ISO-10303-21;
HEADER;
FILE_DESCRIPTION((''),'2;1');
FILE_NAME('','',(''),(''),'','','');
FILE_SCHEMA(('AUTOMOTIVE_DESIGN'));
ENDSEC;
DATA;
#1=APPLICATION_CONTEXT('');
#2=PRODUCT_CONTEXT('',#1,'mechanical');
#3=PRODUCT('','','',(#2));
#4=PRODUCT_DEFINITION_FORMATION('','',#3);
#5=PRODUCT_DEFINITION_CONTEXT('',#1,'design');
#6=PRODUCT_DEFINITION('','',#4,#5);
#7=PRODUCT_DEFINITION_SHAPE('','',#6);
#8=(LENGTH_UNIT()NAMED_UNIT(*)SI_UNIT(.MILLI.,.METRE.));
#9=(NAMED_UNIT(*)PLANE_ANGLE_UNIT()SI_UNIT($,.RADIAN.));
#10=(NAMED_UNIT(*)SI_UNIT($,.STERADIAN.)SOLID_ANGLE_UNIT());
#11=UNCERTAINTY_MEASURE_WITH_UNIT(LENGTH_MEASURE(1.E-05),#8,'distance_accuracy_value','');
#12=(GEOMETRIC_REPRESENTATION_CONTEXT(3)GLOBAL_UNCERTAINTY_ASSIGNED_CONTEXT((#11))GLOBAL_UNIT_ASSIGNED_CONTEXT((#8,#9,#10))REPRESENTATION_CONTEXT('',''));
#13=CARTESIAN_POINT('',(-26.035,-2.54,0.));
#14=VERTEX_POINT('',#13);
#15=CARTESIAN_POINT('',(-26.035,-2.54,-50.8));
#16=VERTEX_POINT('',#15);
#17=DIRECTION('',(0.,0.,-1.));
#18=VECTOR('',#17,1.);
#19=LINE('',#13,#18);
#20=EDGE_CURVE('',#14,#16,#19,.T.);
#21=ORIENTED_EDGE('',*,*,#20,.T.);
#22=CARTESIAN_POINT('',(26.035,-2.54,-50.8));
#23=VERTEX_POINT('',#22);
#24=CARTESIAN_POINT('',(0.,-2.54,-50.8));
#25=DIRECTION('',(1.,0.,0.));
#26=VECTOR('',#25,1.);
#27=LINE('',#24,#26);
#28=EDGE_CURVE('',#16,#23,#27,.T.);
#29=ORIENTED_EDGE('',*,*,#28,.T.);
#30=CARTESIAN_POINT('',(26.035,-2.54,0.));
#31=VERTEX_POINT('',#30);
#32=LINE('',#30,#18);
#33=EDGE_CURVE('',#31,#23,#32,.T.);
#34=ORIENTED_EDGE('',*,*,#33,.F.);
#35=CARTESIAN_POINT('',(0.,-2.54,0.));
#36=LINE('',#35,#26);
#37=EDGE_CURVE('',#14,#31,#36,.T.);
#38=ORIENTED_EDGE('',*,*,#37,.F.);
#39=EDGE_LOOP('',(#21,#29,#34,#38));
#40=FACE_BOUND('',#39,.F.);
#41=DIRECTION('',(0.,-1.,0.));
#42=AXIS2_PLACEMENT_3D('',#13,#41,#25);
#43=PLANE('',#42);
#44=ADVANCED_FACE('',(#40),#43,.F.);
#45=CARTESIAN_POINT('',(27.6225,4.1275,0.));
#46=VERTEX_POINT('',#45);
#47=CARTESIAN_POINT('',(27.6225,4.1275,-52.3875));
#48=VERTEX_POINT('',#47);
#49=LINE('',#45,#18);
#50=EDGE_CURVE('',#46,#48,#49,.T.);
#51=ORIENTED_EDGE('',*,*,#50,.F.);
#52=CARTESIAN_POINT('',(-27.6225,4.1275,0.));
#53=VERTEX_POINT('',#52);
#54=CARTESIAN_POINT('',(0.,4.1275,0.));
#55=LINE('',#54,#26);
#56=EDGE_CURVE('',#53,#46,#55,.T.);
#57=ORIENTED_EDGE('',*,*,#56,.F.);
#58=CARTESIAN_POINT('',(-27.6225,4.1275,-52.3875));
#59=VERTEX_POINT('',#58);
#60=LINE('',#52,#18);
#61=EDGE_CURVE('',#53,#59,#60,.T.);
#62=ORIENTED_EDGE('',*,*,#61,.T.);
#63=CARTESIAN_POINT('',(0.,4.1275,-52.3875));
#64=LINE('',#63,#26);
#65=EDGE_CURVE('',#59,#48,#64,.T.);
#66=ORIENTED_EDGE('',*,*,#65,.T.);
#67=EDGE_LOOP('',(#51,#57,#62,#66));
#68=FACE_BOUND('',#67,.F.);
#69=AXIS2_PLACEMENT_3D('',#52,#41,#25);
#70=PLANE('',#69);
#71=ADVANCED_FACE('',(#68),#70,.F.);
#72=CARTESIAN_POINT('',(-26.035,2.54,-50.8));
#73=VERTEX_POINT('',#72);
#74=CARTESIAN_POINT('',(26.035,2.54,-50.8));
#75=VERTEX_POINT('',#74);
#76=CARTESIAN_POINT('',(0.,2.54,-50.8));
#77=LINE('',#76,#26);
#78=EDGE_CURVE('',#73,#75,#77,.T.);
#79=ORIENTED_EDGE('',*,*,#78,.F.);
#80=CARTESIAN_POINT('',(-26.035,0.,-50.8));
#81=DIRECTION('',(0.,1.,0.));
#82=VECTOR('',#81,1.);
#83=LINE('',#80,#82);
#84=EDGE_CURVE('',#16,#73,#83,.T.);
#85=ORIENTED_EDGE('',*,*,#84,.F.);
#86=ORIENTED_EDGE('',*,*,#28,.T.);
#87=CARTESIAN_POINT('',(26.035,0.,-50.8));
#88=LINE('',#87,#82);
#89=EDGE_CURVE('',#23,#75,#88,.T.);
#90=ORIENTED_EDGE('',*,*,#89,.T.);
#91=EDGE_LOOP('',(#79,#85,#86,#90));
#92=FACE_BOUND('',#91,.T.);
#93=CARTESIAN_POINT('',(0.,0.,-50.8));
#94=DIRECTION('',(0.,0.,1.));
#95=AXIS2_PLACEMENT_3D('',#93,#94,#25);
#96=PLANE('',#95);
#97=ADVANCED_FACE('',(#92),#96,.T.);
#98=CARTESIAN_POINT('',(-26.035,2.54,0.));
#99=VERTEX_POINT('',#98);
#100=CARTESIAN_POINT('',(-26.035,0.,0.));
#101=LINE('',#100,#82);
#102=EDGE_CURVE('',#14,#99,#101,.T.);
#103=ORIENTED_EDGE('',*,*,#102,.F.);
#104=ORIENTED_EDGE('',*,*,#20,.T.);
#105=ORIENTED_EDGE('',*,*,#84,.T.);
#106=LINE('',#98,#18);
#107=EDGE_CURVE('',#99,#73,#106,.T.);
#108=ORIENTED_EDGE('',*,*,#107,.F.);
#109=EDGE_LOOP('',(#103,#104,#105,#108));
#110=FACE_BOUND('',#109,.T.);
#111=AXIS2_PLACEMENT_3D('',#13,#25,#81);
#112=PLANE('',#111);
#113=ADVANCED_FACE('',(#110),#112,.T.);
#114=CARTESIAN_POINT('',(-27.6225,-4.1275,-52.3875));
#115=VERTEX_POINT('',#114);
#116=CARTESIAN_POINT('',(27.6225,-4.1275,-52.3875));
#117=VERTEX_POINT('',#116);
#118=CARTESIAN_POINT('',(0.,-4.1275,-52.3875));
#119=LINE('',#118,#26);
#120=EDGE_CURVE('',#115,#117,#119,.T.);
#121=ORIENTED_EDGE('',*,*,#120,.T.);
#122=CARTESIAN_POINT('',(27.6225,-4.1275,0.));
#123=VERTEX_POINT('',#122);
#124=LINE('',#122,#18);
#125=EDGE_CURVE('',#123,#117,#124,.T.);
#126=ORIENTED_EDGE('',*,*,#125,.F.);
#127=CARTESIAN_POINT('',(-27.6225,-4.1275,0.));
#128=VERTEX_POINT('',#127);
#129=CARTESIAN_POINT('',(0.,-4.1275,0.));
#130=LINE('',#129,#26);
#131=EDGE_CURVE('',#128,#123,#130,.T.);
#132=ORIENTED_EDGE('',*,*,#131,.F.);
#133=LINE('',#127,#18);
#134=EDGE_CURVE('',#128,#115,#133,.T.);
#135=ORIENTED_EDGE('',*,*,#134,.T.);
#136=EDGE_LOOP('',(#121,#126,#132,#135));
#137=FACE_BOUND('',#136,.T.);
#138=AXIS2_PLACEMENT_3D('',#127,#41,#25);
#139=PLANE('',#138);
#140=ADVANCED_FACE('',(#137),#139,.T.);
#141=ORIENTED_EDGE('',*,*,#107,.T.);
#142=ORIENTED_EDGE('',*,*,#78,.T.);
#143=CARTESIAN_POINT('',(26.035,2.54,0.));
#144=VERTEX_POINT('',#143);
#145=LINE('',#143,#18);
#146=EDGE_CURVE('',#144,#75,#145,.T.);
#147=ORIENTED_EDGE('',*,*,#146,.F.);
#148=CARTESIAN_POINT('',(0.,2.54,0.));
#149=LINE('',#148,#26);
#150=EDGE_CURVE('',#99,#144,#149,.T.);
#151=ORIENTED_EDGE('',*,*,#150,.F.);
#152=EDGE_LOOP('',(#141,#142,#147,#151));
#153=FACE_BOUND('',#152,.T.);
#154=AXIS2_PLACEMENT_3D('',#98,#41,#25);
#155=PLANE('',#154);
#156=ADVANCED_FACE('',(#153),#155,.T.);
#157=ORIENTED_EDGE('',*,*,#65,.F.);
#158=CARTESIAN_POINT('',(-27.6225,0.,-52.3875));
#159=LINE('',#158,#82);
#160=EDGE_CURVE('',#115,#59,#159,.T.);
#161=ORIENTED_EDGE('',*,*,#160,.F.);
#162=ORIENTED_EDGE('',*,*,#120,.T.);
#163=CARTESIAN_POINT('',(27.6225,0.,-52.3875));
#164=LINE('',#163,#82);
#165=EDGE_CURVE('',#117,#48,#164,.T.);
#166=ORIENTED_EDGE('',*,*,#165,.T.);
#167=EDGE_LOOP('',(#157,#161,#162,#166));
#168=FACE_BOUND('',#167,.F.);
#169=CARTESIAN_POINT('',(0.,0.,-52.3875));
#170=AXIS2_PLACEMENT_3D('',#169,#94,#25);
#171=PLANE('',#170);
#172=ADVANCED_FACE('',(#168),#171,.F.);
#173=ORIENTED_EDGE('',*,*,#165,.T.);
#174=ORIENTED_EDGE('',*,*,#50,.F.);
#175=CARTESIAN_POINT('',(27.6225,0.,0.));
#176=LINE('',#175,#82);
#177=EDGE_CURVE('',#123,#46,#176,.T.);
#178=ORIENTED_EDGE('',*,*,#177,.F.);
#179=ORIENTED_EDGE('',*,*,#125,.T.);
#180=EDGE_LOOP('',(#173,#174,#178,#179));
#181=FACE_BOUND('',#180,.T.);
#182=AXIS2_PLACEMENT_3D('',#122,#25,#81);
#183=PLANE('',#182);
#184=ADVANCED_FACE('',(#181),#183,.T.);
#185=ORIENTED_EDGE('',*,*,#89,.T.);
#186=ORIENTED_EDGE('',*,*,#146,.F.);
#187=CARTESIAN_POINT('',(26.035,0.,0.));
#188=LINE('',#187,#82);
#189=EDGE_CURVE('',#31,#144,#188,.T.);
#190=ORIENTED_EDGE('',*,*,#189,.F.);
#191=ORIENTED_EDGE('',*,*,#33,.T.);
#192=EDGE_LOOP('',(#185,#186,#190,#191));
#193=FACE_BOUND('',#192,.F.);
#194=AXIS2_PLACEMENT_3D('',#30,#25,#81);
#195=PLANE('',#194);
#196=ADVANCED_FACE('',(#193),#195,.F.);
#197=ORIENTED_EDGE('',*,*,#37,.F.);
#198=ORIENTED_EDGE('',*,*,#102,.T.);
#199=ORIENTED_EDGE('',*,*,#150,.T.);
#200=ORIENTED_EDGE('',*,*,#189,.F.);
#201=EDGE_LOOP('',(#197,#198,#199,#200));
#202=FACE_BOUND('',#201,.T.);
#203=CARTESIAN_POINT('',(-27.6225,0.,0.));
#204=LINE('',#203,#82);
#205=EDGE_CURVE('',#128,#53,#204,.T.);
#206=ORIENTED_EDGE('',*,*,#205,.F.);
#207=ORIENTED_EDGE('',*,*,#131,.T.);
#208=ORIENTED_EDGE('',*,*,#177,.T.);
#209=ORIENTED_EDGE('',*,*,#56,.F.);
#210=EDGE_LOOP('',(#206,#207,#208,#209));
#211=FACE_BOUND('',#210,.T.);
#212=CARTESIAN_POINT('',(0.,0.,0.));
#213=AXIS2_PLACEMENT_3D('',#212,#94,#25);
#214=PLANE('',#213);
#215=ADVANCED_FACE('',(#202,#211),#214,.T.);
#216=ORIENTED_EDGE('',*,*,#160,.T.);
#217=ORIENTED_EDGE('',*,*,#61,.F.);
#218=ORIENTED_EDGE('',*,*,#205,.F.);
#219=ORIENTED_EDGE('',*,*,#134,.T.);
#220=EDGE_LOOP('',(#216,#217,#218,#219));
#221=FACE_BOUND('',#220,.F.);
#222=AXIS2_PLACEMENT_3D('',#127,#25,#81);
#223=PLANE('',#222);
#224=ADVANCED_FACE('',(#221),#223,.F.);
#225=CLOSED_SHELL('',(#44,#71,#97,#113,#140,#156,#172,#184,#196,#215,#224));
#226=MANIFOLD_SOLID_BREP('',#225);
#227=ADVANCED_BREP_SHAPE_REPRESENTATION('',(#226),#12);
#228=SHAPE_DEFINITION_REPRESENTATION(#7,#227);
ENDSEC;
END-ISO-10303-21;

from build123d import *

# Parameters (mm, degrees)
F0_W     = 55.245
F0_H     = 8.255
F0_W_2   = 52.07
F0_H_2   = 5.08
F1_DEPTH = 52.3875
F2_DEPTH = 50.8


with BuildPart() as f1:
    # F0 (on Top) → F1 (new body)
    with BuildSketch(Plane.XY):
        Rectangle(F0_W, F0_H)
        Rectangle(F0_W_2, F0_H_2, mode=Mode.SUBTRACT)
        Rectangle(F0_W_2, F0_H_2)
    extrude(amount=-F1_DEPTH)

    # F0 (on Top) → F2 (cut)
    with BuildSketch(Plane.XY):
        Rectangle(F0_W_2, F0_H_2)
    extrude(amount=-F2_DEPTH, mode=Mode.SUBTRACT)


solid = f1.part
